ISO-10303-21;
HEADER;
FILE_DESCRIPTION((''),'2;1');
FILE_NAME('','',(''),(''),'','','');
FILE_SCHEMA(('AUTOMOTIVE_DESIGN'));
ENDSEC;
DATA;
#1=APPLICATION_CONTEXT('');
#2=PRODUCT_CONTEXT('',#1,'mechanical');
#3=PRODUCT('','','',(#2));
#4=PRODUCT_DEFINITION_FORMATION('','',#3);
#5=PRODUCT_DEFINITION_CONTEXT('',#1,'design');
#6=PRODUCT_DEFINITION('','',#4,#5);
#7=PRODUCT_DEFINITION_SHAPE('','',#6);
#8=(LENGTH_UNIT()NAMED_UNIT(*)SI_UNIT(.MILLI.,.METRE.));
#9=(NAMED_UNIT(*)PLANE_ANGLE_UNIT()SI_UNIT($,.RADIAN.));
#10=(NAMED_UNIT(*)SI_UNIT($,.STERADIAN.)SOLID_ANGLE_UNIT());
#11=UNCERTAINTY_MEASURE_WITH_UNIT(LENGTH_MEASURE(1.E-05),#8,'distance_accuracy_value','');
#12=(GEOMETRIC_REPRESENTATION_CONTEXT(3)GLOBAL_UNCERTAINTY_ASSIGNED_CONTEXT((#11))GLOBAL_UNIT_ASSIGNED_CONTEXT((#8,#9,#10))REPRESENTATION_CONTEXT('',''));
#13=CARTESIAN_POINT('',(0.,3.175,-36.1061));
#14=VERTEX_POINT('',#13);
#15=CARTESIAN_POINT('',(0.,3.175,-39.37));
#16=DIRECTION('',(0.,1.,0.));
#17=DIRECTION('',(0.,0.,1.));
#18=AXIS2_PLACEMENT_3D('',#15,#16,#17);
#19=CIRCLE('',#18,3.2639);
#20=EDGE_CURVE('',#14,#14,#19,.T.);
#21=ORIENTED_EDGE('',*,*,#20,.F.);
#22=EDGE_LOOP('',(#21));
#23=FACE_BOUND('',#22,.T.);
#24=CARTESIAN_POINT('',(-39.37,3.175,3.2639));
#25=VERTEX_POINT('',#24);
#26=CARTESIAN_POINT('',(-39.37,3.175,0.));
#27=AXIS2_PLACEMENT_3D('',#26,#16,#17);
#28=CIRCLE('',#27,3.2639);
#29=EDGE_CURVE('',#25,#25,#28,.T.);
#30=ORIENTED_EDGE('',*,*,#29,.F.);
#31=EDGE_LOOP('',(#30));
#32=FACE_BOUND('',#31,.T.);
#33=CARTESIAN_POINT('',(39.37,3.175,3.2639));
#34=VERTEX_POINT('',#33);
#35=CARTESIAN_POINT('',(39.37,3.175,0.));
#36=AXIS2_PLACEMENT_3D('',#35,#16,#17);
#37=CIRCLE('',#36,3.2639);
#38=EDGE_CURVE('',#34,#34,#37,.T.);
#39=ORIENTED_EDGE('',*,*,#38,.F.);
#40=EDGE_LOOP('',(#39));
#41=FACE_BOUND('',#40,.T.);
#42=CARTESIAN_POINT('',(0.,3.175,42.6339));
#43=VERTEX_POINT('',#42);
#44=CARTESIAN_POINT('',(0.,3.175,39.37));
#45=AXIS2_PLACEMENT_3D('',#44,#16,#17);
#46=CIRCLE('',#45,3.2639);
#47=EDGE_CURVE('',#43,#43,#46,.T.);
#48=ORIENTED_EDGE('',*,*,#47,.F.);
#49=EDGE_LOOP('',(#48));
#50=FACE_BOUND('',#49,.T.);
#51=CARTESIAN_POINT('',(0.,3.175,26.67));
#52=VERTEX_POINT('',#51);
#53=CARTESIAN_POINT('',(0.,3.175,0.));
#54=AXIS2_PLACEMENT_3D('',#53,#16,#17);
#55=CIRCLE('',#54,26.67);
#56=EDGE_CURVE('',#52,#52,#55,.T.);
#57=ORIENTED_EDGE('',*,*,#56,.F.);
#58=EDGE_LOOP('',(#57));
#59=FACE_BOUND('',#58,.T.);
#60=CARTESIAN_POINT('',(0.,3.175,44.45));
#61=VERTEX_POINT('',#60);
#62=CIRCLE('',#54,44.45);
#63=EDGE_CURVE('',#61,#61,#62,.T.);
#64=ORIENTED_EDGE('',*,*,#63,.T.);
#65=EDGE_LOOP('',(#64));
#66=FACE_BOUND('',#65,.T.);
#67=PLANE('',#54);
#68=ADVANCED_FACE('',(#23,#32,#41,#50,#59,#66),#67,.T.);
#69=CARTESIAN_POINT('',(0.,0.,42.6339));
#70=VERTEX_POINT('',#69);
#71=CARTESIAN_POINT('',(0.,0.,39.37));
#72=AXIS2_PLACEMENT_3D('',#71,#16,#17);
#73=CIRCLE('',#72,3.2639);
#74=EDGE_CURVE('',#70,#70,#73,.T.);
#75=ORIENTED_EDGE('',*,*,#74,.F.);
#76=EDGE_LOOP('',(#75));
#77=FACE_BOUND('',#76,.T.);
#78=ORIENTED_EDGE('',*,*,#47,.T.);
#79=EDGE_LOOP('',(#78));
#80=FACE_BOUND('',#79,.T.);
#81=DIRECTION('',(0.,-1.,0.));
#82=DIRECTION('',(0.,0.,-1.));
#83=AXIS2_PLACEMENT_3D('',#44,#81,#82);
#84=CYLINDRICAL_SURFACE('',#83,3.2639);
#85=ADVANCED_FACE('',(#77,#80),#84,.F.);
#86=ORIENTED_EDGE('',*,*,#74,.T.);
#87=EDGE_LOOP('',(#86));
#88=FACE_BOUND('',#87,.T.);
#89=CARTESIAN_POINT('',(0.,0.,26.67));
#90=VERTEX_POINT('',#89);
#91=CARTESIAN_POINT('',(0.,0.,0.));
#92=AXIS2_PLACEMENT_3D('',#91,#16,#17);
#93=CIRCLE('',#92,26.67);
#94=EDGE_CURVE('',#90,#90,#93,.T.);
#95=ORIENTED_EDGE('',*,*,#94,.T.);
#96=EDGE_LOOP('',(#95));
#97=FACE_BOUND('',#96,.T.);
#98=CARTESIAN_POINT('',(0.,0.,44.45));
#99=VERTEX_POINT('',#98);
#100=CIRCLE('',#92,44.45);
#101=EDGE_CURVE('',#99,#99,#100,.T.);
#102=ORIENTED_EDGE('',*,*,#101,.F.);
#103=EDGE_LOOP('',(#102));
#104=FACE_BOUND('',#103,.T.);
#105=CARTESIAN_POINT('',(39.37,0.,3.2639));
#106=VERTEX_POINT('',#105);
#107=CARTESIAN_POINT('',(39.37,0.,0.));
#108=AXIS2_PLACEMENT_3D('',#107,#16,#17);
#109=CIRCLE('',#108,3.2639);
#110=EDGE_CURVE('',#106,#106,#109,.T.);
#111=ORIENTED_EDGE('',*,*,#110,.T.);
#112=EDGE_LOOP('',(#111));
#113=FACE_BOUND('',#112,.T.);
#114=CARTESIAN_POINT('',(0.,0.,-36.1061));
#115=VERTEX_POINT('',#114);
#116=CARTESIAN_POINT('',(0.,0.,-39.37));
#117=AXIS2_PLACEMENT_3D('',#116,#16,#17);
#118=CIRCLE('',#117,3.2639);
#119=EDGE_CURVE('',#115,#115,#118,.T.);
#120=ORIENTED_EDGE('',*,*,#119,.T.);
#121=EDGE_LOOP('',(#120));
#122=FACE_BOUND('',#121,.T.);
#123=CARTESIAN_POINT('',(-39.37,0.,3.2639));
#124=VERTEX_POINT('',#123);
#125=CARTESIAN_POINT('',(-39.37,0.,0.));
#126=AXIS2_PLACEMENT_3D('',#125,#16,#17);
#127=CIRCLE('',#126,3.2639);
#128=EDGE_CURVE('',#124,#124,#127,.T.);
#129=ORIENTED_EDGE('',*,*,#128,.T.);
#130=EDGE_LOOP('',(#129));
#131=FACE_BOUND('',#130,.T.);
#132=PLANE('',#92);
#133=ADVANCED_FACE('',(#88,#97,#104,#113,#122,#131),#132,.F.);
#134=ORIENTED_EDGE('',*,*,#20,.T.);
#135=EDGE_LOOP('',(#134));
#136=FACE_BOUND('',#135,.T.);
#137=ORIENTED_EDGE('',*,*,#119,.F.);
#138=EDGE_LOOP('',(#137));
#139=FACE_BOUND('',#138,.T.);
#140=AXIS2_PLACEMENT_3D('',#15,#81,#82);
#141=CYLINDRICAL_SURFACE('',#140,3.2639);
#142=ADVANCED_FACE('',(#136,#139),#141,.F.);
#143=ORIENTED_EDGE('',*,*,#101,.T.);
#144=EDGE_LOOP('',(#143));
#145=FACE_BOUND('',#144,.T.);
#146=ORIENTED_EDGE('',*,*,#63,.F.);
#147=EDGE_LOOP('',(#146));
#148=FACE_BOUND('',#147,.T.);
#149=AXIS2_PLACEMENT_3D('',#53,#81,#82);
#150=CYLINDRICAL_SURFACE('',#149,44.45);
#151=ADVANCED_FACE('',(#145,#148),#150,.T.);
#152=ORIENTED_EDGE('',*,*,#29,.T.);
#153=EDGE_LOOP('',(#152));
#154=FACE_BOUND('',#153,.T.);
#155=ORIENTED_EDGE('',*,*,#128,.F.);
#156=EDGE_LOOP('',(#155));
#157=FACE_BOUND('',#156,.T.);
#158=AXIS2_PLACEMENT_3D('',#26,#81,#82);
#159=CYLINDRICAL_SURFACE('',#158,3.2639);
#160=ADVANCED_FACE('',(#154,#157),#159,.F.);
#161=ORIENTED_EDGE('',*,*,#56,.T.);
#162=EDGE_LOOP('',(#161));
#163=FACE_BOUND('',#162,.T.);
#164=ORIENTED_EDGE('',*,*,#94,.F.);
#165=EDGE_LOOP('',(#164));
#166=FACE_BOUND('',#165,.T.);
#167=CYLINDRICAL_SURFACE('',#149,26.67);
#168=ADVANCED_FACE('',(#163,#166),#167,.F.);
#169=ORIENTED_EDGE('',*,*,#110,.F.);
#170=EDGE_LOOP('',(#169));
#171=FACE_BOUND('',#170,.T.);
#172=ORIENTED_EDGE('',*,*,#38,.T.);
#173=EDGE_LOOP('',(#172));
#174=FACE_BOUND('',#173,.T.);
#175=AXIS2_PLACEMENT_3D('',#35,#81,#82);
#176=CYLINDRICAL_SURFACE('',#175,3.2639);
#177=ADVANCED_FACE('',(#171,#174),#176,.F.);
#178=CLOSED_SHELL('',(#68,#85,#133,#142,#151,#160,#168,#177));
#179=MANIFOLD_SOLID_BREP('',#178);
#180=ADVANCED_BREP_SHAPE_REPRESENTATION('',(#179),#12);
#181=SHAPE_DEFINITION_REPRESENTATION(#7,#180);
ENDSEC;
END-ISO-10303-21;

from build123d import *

# Parameters (mm, degrees)
SKETCH1_R           = 44.45
SKETCH1_R_2         = 26.67
SKETCH1_R_3         = 3.2639
BOSS_EXTRUDE1_DEPTH = 3.175


with BuildPart() as part:
    # Sketch1 → Boss-Extrude1 (new body)
    with BuildSketch(Plane(origin=(0, 0, 0), x_dir=(1, 0, 0), z_dir=(0, 1, 0))):
        with Locations(Location((0, 0, 0), (0, 0, 270))):
            Circle(SKETCH1_R)
        with Locations(Location((0, 0, 0), (0, 0, 270))):
            Circle(SKETCH1_R_2, mode=Mode.SUBTRACT)
        with Locations(Location((0, 39.37, 0), (0, 0, 270))):
            Circle(SKETCH1_R_3, mode=Mode.SUBTRACT)
        with Locations(Location((39.37, 0, 0), (0, 0, 270))):
            Circle(SKETCH1_R_3, mode=Mode.SUBTRACT)
        with Locations(Location((0, -39.37, 0), (0, 0, 270))):
            Circle(SKETCH1_R_3, mode=Mode.SUBTRACT)
        with Locations(Location((-39.37, 0, 0), (0, 0, 270))):
            Circle(SKETCH1_R_3, mode=Mode.SUBTRACT)
    extrude(amount=BOSS_EXTRUDE1_DEPTH)


solid = part.part
